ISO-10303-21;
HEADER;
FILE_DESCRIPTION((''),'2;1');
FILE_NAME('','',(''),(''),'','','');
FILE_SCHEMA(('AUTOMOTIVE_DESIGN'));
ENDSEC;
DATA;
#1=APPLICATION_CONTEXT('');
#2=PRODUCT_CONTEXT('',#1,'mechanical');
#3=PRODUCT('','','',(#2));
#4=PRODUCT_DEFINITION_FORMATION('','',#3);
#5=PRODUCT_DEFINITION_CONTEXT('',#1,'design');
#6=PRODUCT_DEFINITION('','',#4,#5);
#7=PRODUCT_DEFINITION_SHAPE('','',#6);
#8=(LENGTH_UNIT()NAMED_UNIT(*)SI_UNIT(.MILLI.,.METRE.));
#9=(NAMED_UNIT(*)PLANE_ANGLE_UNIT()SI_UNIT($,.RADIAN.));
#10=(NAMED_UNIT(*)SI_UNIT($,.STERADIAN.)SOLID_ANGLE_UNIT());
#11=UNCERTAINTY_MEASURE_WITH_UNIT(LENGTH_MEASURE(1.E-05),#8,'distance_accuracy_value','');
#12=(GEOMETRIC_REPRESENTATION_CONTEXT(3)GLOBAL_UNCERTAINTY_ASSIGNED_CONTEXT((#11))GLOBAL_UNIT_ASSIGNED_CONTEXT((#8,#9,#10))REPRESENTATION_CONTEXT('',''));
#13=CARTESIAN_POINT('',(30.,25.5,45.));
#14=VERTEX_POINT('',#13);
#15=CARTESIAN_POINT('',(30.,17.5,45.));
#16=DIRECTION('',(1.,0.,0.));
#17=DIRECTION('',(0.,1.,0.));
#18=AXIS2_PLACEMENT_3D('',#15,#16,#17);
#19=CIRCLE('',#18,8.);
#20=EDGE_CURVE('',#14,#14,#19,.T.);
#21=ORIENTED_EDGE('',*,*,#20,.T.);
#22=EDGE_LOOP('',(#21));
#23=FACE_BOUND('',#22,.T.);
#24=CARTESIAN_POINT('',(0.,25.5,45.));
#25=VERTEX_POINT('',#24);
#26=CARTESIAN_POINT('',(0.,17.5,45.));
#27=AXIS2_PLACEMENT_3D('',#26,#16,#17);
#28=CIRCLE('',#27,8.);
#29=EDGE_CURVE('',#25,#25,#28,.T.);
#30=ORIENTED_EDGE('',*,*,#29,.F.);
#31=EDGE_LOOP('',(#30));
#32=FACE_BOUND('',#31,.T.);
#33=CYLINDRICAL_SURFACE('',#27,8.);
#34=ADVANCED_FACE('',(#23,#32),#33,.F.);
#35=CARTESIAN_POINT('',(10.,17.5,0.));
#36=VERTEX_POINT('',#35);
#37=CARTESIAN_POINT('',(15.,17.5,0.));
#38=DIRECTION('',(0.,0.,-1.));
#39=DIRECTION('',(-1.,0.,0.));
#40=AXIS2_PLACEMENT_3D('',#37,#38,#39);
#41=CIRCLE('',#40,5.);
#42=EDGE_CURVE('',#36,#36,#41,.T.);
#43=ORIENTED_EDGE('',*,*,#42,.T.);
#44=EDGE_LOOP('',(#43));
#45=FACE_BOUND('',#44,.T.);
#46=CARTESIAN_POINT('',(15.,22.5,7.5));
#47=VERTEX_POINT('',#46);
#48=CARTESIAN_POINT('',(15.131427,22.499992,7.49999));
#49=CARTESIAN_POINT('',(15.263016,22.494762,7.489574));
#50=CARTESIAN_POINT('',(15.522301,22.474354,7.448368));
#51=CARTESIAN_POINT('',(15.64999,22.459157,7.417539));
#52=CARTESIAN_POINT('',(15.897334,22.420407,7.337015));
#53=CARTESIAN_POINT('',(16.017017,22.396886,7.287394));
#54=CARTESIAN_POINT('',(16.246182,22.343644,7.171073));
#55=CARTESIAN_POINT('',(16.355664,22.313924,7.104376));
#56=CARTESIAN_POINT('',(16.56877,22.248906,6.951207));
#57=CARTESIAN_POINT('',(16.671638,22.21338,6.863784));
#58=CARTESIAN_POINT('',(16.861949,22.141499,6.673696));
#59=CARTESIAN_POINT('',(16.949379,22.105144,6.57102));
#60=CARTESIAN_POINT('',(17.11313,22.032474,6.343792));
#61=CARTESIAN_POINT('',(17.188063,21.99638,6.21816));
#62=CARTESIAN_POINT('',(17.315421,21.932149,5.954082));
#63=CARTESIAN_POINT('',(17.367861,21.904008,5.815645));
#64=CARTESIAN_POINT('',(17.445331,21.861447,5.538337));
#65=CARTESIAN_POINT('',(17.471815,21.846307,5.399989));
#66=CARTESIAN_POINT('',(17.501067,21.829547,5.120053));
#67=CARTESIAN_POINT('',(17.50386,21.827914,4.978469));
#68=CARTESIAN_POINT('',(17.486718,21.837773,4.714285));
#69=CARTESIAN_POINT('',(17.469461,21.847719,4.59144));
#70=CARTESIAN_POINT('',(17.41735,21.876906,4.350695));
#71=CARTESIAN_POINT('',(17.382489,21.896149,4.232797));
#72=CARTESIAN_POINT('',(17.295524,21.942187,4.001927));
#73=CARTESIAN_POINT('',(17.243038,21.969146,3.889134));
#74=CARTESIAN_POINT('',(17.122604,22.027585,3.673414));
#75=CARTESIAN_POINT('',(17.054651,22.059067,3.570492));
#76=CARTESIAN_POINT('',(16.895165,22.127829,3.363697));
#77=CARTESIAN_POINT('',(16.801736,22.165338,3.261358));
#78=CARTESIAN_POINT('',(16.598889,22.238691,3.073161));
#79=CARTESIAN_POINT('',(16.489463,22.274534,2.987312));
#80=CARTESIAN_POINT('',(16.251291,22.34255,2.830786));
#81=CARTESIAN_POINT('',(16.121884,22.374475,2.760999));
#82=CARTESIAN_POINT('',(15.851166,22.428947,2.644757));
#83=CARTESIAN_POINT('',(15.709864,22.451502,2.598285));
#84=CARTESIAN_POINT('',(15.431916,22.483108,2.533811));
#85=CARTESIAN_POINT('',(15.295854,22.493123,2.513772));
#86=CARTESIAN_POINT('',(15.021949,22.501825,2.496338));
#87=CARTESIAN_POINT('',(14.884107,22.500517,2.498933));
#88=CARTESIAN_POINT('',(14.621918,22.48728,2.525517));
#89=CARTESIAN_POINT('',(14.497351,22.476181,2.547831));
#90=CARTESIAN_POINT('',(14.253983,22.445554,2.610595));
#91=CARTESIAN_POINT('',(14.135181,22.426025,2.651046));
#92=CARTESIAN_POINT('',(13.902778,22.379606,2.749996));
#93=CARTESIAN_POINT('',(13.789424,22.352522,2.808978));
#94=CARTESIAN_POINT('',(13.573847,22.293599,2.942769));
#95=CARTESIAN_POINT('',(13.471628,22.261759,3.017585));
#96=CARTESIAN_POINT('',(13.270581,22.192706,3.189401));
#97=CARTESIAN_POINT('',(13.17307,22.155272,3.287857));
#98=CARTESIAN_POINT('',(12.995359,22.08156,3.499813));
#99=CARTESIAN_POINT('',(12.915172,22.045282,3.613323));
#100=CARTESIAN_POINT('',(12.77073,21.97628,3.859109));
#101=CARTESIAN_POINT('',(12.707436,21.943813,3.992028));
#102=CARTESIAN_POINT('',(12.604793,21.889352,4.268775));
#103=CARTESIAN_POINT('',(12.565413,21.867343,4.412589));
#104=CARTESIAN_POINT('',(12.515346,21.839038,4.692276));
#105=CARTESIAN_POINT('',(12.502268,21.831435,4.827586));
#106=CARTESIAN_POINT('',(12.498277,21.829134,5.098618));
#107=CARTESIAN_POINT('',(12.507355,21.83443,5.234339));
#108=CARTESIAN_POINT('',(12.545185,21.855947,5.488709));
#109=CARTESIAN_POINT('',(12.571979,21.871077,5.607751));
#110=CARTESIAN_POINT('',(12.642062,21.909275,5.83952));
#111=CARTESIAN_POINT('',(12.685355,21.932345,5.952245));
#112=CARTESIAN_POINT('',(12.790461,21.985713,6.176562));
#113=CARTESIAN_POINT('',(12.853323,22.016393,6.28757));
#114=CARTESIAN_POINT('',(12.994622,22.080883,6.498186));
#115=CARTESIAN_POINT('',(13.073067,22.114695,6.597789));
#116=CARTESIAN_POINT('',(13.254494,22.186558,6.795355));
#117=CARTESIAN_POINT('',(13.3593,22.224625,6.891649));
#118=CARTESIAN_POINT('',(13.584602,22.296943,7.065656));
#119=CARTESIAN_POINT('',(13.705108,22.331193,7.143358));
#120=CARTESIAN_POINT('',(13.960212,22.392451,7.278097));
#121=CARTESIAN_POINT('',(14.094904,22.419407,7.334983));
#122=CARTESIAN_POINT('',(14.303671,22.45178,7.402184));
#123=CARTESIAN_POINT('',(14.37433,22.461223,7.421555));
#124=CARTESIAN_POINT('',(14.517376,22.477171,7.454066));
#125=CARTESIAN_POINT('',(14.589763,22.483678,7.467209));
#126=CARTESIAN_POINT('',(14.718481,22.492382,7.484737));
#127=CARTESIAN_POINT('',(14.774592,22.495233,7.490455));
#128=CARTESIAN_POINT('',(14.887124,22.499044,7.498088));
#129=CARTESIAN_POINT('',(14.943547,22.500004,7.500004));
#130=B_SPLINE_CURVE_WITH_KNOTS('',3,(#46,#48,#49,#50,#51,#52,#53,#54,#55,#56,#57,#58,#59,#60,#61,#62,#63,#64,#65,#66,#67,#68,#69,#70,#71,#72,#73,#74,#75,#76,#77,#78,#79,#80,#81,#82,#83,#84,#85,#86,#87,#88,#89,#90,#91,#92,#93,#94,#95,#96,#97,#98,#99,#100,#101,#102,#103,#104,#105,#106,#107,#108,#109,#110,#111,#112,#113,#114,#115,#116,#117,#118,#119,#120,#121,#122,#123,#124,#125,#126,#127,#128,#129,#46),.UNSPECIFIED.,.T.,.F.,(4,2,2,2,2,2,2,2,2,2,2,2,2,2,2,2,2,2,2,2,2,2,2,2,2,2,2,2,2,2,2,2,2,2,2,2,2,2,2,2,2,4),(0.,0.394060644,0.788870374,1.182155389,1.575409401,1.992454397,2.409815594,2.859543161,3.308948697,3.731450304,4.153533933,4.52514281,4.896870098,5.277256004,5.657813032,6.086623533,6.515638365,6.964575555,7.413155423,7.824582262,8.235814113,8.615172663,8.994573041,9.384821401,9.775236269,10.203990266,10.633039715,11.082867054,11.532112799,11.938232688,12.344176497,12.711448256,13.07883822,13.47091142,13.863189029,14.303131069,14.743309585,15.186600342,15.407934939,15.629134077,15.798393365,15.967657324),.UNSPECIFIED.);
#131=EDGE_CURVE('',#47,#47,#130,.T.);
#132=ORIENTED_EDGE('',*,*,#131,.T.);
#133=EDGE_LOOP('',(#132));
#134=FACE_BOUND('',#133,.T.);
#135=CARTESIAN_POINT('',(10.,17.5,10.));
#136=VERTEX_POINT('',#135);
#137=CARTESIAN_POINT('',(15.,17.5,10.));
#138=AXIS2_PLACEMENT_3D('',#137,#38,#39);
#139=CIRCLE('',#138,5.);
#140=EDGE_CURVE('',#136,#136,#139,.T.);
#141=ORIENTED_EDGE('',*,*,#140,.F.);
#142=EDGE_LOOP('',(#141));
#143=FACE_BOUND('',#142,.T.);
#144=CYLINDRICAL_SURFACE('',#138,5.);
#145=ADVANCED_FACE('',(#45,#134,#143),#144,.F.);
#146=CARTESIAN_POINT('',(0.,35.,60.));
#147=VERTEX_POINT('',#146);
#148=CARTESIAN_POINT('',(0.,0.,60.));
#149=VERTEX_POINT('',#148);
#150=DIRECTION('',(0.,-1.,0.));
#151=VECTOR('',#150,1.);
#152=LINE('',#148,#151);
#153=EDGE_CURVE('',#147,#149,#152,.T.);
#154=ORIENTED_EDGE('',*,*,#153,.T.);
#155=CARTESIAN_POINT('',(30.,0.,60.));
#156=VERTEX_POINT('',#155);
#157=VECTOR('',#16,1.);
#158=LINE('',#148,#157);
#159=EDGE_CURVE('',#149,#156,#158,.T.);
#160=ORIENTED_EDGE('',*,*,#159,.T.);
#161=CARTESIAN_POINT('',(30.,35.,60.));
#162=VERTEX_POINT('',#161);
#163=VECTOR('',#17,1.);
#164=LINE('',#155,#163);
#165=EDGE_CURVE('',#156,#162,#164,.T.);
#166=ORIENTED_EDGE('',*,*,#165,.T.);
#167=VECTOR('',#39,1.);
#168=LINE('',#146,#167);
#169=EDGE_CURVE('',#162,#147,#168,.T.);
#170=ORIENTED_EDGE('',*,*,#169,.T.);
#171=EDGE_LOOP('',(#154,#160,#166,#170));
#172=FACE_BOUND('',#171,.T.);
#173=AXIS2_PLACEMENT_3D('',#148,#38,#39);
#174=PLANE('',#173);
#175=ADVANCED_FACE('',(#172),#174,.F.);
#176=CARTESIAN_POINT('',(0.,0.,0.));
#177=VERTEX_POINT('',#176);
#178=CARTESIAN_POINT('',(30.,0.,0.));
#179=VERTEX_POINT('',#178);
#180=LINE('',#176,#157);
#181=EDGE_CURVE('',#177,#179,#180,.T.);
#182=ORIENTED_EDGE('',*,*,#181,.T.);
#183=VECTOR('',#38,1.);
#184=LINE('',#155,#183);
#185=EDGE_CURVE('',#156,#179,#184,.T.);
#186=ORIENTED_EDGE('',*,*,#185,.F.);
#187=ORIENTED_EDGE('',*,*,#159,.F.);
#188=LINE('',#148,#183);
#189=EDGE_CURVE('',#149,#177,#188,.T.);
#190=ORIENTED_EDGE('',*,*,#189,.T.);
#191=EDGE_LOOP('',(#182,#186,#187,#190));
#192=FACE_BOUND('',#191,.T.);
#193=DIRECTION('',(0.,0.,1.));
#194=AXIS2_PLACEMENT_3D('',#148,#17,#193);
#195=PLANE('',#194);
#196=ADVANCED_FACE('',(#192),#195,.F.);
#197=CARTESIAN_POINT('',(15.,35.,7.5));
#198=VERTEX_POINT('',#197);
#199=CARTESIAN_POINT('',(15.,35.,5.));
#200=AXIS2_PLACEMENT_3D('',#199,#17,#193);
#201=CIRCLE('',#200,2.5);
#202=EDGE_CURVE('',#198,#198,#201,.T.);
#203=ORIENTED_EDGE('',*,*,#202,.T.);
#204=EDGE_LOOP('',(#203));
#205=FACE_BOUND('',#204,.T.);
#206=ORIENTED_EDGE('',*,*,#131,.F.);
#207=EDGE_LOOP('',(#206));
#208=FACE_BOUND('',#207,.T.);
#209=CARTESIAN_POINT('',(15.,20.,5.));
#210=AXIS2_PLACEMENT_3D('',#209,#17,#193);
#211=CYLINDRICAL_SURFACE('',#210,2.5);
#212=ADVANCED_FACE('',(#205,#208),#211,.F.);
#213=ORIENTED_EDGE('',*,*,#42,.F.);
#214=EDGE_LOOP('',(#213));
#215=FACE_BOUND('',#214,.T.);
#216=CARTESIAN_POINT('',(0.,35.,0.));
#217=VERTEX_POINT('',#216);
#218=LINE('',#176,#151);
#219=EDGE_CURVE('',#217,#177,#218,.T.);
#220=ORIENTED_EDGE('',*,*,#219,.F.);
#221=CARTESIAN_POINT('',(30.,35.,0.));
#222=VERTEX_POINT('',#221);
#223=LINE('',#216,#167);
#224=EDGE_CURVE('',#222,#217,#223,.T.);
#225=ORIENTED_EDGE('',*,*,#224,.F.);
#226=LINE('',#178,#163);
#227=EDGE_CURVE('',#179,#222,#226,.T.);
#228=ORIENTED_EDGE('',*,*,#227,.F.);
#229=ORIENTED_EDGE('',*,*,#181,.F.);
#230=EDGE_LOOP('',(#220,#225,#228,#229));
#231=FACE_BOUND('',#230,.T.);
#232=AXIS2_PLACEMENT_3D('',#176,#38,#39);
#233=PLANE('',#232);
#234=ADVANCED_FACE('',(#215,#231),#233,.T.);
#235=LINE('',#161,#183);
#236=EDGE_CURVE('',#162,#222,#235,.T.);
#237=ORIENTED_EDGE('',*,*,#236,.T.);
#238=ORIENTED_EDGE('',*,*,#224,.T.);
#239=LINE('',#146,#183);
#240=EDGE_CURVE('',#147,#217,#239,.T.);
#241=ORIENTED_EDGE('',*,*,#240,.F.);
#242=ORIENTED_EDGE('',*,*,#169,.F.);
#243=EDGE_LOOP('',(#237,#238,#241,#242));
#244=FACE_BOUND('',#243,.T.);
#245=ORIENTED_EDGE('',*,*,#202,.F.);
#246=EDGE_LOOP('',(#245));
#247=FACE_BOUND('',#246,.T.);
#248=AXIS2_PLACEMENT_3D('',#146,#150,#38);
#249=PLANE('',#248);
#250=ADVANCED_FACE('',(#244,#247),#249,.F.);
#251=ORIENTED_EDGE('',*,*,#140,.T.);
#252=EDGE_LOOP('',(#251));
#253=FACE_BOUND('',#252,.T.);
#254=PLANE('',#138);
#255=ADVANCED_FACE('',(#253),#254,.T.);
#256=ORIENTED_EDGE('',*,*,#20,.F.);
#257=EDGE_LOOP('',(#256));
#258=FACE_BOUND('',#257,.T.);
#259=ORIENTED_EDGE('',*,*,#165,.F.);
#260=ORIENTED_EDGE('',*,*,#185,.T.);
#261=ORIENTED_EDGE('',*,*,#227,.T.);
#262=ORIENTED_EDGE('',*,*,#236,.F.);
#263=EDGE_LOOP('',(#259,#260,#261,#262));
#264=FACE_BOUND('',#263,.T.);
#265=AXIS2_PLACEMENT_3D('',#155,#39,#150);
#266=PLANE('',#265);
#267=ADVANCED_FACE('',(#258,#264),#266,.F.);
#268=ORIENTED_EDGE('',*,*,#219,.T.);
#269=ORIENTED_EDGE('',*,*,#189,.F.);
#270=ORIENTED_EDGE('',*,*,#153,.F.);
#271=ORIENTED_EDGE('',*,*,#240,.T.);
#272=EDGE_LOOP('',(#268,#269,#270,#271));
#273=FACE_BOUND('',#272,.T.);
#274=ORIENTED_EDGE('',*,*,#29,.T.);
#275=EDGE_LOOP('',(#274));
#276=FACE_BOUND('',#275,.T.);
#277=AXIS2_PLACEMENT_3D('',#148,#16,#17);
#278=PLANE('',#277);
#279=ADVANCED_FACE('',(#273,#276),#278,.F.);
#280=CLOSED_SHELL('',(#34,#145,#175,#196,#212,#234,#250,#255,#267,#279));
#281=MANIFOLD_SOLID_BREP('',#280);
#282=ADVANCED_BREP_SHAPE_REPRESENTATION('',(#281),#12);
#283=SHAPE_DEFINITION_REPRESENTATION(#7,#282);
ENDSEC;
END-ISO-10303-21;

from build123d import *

# Parameters (mm, degrees)
SKETCH1_W           = 30
SKETCH1_H           = 35
BOSS_EXTRUDE1_DEPTH = 60
SKETCH2_R           = 8
CUT_EXTRUDE1_DEPTH  = 76.663729752
SKETCH3_R           = 5
CUT_EXTRUDE2_DEPTH  = 10
SKETCH5_R           = 2.5
CUT_EXTRUDE4_DEPTH  = 15


with BuildPart() as part:
    # Sketch1 → Boss-Extrude1 (new body)
    with BuildSketch(Plane.XY):
        with Locations((15, 17.5)):
            Rectangle(SKETCH1_W, SKETCH1_H)
    extrude(amount=BOSS_EXTRUDE1_DEPTH)

    # Sketch2 → Cut-Extrude1 (cut, through all)
    with BuildSketch(Plane(origin=(30, 0, 0), x_dir=(0, 0, -1), z_dir=(1, 0, 0))):
        with Locations(Location((-45, 17.5, 0), (0, 0, 90))):
            Circle(SKETCH2_R)
    extrude(amount=-CUT_EXTRUDE1_DEPTH, mode=Mode.SUBTRACT)

    # Sketch3 → Cut-Extrude2 (cut)
    with BuildSketch(Plane(origin=(0, 0, 0), x_dir=(-1, 0, 0), z_dir=(0, 0, -1))):
        with Locations((-15, 17.5)):
            Circle(SKETCH3_R)
    extrude(amount=-CUT_EXTRUDE2_DEPTH, mode=Mode.SUBTRACT)

    # Sketch5 → Cut-Extrude4 (cut)
    with BuildSketch(Plane(origin=(0, 35, 0), x_dir=(1, 0, 0), z_dir=(0, 1, 0))):
        with Locations(Location((15, -5, 0), (0, 0, 270))):
            Circle(SKETCH5_R)
    extrude(amount=-CUT_EXTRUDE4_DEPTH, mode=Mode.SUBTRACT)


solid = part.part
